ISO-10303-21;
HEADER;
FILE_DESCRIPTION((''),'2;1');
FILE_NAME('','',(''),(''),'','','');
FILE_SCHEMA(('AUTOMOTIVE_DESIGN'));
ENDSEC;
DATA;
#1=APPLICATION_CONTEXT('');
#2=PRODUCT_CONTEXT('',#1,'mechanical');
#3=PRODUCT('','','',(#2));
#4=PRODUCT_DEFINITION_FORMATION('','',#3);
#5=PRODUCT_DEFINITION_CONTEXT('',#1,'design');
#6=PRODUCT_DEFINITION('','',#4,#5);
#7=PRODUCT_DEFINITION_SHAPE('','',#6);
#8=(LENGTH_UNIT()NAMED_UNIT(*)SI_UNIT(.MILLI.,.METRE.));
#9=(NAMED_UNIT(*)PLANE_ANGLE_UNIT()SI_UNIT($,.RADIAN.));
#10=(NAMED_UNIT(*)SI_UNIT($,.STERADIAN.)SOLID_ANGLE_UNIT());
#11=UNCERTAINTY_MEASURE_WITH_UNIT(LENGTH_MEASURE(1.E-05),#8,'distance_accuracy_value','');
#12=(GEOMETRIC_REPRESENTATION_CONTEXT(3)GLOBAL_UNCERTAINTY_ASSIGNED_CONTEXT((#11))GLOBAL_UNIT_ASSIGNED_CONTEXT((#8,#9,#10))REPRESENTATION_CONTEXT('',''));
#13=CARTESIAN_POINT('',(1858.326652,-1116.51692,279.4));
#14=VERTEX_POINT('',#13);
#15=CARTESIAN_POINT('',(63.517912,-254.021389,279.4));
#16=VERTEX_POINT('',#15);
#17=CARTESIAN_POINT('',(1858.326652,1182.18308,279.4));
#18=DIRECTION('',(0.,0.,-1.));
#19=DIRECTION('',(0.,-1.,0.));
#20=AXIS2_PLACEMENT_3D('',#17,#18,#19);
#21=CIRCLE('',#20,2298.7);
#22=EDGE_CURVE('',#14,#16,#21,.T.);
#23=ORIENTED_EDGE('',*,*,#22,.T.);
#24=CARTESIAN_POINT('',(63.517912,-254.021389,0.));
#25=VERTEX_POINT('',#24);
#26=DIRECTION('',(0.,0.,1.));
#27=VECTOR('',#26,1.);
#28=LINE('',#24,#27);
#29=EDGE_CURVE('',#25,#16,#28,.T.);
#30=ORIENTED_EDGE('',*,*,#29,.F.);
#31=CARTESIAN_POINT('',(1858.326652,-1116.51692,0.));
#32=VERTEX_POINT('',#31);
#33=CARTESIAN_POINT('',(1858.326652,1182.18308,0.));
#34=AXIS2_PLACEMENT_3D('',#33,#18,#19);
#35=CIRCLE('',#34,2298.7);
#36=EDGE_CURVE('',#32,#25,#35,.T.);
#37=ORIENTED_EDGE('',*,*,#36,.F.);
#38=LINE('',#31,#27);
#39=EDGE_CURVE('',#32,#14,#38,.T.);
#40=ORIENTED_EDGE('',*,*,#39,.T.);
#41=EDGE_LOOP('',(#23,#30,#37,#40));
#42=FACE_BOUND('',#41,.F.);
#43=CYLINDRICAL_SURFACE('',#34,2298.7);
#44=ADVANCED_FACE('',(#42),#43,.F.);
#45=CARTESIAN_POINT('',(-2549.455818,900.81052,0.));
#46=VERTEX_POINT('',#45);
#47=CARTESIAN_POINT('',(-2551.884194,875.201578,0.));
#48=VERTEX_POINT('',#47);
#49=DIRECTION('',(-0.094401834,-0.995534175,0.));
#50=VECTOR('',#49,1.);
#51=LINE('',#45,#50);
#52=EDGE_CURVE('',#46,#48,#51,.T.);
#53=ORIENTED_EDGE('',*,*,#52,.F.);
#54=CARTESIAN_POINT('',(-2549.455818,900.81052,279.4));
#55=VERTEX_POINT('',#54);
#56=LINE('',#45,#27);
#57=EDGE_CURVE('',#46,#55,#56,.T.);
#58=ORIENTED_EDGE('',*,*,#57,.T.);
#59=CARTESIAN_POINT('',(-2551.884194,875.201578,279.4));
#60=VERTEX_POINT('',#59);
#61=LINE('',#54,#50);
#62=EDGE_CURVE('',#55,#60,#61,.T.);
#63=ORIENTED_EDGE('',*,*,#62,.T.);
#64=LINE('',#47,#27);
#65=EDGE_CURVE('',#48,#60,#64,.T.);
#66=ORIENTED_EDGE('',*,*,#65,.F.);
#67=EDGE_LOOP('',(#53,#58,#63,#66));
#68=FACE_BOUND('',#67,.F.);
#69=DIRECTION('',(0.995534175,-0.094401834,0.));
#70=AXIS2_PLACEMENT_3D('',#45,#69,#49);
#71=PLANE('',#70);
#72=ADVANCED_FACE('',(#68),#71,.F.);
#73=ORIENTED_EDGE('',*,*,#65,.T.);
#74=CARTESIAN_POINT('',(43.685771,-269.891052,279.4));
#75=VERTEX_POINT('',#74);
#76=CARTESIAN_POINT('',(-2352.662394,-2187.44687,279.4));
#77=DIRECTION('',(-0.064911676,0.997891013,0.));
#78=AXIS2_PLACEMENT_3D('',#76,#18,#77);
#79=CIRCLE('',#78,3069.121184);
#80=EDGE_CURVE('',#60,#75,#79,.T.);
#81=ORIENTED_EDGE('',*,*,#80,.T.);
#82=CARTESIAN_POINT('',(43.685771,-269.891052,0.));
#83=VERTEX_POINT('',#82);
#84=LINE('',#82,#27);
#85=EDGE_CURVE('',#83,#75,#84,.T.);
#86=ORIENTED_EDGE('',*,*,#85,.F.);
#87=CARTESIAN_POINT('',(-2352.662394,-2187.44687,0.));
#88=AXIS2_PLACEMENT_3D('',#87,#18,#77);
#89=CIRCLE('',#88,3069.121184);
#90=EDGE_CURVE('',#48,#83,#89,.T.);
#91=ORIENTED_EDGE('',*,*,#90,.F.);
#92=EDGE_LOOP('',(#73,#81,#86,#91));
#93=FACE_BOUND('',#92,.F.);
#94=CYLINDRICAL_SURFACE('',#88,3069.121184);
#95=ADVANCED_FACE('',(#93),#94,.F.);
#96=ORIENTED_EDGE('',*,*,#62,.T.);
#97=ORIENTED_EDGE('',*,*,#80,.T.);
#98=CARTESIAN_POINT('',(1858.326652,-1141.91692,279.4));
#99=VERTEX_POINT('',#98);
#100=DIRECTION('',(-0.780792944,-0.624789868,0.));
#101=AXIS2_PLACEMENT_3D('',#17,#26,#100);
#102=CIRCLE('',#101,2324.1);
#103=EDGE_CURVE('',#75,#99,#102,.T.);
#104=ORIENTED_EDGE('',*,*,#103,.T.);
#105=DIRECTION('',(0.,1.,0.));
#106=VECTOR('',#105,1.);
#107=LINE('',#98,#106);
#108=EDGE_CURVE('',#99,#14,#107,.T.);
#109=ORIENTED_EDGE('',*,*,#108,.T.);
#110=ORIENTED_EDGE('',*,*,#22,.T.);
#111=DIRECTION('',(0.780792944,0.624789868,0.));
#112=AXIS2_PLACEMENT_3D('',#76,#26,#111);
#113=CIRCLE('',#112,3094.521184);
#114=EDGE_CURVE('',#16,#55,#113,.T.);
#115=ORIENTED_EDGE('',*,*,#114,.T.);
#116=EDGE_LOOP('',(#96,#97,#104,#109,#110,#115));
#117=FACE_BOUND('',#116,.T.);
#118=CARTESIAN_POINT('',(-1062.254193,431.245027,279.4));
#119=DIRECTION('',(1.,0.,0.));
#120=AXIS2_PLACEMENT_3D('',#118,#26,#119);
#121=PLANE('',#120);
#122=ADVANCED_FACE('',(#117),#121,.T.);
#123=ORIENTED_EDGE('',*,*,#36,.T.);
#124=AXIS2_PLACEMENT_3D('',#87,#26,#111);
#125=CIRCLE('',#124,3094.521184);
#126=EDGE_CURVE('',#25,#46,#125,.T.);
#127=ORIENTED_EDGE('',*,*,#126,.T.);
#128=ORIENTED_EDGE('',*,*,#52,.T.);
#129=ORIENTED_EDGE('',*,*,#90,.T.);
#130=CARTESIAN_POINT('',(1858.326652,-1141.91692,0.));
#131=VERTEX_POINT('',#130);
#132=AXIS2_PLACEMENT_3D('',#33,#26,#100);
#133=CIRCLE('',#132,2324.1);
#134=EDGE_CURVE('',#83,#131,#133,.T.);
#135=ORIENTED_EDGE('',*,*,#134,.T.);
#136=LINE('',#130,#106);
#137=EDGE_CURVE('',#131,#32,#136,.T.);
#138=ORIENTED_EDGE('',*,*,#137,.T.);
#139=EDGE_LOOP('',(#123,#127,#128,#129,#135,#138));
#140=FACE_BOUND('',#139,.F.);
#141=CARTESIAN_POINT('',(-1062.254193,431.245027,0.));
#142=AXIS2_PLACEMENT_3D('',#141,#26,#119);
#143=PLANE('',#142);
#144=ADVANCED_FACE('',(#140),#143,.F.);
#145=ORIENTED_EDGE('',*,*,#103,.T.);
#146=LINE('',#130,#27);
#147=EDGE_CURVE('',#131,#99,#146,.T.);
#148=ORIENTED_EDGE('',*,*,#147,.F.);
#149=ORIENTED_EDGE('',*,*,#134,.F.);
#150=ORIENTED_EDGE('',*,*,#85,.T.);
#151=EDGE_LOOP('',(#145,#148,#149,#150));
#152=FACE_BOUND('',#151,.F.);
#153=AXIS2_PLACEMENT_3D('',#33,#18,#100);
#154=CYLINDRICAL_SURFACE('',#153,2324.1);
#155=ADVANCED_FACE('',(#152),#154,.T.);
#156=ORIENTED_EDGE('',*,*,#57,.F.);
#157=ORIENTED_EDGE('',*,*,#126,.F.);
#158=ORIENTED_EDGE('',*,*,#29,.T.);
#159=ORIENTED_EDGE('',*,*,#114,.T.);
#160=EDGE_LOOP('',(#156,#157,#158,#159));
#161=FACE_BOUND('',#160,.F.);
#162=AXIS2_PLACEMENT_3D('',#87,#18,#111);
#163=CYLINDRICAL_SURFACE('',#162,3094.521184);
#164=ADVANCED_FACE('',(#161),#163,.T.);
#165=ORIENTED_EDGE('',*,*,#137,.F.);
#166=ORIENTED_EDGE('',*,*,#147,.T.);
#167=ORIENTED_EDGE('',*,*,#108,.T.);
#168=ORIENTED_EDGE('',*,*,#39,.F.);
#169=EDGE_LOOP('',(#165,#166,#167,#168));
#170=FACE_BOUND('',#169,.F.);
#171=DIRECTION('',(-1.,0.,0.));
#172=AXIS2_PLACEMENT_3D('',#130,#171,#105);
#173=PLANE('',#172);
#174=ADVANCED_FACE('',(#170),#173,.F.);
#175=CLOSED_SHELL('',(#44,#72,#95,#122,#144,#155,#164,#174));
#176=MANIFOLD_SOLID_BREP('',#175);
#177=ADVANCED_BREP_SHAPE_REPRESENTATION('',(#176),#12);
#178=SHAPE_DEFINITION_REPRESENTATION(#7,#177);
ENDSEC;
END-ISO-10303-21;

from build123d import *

# Parameters (mm, degrees)
F1_DEPTH = 279.4


with BuildPart() as f1:
    # F0 (on Top) → F1 (new body)
    with BuildSketch(Plane.XY):
        with BuildLine():
            Line((214.9397816719, -461.2037903767), (232.900293914, -443.2432781346))
            ThreePointArc((232.900293914, -443.2432781346), (145.5939633483, -350.9732813972), (63.5179117588, -254.0213891504))
            ThreePointArc((63.5179117588, -254.0213891504), (-1101.7312539149, 642.9652273287), (-2549.4558180108, 900.8105196245))
            Line((-2549.4558180108, 900.8105196245), (-2551.8841937865, 875.2015777751))
            ThreePointArc((-2551.8841937865, 875.2015777751), (-1113.8523404134, 620.5514371442), (43.6857709845, -269.8910517905))
            ThreePointArc((43.6857709845, -269.8910517905), (126.6687402713, -367.9142356644), (214.9397816719, -461.2037903768))
        make_face()
        with BuildLine():
            Line((1858.3266518276, -1141.9169202211), (1858.3266518276, -1116.5169202211))
            ThreePointArc((1858.3266518276, -1116.5169202211), (978.6522458499, -941.5388016048), (232.900293914, -443.2432781346))
            Line((232.900293914, -443.2432781346), (214.9397816719, -461.2037903767))
            ThreePointArc((214.9397816719, -461.2037903768), (968.9320866679, -965.0053417306), (1858.3266518276, -1141.9169202211))
        make_face()
    extrude(amount=F1_DEPTH)


solid = f1.part
